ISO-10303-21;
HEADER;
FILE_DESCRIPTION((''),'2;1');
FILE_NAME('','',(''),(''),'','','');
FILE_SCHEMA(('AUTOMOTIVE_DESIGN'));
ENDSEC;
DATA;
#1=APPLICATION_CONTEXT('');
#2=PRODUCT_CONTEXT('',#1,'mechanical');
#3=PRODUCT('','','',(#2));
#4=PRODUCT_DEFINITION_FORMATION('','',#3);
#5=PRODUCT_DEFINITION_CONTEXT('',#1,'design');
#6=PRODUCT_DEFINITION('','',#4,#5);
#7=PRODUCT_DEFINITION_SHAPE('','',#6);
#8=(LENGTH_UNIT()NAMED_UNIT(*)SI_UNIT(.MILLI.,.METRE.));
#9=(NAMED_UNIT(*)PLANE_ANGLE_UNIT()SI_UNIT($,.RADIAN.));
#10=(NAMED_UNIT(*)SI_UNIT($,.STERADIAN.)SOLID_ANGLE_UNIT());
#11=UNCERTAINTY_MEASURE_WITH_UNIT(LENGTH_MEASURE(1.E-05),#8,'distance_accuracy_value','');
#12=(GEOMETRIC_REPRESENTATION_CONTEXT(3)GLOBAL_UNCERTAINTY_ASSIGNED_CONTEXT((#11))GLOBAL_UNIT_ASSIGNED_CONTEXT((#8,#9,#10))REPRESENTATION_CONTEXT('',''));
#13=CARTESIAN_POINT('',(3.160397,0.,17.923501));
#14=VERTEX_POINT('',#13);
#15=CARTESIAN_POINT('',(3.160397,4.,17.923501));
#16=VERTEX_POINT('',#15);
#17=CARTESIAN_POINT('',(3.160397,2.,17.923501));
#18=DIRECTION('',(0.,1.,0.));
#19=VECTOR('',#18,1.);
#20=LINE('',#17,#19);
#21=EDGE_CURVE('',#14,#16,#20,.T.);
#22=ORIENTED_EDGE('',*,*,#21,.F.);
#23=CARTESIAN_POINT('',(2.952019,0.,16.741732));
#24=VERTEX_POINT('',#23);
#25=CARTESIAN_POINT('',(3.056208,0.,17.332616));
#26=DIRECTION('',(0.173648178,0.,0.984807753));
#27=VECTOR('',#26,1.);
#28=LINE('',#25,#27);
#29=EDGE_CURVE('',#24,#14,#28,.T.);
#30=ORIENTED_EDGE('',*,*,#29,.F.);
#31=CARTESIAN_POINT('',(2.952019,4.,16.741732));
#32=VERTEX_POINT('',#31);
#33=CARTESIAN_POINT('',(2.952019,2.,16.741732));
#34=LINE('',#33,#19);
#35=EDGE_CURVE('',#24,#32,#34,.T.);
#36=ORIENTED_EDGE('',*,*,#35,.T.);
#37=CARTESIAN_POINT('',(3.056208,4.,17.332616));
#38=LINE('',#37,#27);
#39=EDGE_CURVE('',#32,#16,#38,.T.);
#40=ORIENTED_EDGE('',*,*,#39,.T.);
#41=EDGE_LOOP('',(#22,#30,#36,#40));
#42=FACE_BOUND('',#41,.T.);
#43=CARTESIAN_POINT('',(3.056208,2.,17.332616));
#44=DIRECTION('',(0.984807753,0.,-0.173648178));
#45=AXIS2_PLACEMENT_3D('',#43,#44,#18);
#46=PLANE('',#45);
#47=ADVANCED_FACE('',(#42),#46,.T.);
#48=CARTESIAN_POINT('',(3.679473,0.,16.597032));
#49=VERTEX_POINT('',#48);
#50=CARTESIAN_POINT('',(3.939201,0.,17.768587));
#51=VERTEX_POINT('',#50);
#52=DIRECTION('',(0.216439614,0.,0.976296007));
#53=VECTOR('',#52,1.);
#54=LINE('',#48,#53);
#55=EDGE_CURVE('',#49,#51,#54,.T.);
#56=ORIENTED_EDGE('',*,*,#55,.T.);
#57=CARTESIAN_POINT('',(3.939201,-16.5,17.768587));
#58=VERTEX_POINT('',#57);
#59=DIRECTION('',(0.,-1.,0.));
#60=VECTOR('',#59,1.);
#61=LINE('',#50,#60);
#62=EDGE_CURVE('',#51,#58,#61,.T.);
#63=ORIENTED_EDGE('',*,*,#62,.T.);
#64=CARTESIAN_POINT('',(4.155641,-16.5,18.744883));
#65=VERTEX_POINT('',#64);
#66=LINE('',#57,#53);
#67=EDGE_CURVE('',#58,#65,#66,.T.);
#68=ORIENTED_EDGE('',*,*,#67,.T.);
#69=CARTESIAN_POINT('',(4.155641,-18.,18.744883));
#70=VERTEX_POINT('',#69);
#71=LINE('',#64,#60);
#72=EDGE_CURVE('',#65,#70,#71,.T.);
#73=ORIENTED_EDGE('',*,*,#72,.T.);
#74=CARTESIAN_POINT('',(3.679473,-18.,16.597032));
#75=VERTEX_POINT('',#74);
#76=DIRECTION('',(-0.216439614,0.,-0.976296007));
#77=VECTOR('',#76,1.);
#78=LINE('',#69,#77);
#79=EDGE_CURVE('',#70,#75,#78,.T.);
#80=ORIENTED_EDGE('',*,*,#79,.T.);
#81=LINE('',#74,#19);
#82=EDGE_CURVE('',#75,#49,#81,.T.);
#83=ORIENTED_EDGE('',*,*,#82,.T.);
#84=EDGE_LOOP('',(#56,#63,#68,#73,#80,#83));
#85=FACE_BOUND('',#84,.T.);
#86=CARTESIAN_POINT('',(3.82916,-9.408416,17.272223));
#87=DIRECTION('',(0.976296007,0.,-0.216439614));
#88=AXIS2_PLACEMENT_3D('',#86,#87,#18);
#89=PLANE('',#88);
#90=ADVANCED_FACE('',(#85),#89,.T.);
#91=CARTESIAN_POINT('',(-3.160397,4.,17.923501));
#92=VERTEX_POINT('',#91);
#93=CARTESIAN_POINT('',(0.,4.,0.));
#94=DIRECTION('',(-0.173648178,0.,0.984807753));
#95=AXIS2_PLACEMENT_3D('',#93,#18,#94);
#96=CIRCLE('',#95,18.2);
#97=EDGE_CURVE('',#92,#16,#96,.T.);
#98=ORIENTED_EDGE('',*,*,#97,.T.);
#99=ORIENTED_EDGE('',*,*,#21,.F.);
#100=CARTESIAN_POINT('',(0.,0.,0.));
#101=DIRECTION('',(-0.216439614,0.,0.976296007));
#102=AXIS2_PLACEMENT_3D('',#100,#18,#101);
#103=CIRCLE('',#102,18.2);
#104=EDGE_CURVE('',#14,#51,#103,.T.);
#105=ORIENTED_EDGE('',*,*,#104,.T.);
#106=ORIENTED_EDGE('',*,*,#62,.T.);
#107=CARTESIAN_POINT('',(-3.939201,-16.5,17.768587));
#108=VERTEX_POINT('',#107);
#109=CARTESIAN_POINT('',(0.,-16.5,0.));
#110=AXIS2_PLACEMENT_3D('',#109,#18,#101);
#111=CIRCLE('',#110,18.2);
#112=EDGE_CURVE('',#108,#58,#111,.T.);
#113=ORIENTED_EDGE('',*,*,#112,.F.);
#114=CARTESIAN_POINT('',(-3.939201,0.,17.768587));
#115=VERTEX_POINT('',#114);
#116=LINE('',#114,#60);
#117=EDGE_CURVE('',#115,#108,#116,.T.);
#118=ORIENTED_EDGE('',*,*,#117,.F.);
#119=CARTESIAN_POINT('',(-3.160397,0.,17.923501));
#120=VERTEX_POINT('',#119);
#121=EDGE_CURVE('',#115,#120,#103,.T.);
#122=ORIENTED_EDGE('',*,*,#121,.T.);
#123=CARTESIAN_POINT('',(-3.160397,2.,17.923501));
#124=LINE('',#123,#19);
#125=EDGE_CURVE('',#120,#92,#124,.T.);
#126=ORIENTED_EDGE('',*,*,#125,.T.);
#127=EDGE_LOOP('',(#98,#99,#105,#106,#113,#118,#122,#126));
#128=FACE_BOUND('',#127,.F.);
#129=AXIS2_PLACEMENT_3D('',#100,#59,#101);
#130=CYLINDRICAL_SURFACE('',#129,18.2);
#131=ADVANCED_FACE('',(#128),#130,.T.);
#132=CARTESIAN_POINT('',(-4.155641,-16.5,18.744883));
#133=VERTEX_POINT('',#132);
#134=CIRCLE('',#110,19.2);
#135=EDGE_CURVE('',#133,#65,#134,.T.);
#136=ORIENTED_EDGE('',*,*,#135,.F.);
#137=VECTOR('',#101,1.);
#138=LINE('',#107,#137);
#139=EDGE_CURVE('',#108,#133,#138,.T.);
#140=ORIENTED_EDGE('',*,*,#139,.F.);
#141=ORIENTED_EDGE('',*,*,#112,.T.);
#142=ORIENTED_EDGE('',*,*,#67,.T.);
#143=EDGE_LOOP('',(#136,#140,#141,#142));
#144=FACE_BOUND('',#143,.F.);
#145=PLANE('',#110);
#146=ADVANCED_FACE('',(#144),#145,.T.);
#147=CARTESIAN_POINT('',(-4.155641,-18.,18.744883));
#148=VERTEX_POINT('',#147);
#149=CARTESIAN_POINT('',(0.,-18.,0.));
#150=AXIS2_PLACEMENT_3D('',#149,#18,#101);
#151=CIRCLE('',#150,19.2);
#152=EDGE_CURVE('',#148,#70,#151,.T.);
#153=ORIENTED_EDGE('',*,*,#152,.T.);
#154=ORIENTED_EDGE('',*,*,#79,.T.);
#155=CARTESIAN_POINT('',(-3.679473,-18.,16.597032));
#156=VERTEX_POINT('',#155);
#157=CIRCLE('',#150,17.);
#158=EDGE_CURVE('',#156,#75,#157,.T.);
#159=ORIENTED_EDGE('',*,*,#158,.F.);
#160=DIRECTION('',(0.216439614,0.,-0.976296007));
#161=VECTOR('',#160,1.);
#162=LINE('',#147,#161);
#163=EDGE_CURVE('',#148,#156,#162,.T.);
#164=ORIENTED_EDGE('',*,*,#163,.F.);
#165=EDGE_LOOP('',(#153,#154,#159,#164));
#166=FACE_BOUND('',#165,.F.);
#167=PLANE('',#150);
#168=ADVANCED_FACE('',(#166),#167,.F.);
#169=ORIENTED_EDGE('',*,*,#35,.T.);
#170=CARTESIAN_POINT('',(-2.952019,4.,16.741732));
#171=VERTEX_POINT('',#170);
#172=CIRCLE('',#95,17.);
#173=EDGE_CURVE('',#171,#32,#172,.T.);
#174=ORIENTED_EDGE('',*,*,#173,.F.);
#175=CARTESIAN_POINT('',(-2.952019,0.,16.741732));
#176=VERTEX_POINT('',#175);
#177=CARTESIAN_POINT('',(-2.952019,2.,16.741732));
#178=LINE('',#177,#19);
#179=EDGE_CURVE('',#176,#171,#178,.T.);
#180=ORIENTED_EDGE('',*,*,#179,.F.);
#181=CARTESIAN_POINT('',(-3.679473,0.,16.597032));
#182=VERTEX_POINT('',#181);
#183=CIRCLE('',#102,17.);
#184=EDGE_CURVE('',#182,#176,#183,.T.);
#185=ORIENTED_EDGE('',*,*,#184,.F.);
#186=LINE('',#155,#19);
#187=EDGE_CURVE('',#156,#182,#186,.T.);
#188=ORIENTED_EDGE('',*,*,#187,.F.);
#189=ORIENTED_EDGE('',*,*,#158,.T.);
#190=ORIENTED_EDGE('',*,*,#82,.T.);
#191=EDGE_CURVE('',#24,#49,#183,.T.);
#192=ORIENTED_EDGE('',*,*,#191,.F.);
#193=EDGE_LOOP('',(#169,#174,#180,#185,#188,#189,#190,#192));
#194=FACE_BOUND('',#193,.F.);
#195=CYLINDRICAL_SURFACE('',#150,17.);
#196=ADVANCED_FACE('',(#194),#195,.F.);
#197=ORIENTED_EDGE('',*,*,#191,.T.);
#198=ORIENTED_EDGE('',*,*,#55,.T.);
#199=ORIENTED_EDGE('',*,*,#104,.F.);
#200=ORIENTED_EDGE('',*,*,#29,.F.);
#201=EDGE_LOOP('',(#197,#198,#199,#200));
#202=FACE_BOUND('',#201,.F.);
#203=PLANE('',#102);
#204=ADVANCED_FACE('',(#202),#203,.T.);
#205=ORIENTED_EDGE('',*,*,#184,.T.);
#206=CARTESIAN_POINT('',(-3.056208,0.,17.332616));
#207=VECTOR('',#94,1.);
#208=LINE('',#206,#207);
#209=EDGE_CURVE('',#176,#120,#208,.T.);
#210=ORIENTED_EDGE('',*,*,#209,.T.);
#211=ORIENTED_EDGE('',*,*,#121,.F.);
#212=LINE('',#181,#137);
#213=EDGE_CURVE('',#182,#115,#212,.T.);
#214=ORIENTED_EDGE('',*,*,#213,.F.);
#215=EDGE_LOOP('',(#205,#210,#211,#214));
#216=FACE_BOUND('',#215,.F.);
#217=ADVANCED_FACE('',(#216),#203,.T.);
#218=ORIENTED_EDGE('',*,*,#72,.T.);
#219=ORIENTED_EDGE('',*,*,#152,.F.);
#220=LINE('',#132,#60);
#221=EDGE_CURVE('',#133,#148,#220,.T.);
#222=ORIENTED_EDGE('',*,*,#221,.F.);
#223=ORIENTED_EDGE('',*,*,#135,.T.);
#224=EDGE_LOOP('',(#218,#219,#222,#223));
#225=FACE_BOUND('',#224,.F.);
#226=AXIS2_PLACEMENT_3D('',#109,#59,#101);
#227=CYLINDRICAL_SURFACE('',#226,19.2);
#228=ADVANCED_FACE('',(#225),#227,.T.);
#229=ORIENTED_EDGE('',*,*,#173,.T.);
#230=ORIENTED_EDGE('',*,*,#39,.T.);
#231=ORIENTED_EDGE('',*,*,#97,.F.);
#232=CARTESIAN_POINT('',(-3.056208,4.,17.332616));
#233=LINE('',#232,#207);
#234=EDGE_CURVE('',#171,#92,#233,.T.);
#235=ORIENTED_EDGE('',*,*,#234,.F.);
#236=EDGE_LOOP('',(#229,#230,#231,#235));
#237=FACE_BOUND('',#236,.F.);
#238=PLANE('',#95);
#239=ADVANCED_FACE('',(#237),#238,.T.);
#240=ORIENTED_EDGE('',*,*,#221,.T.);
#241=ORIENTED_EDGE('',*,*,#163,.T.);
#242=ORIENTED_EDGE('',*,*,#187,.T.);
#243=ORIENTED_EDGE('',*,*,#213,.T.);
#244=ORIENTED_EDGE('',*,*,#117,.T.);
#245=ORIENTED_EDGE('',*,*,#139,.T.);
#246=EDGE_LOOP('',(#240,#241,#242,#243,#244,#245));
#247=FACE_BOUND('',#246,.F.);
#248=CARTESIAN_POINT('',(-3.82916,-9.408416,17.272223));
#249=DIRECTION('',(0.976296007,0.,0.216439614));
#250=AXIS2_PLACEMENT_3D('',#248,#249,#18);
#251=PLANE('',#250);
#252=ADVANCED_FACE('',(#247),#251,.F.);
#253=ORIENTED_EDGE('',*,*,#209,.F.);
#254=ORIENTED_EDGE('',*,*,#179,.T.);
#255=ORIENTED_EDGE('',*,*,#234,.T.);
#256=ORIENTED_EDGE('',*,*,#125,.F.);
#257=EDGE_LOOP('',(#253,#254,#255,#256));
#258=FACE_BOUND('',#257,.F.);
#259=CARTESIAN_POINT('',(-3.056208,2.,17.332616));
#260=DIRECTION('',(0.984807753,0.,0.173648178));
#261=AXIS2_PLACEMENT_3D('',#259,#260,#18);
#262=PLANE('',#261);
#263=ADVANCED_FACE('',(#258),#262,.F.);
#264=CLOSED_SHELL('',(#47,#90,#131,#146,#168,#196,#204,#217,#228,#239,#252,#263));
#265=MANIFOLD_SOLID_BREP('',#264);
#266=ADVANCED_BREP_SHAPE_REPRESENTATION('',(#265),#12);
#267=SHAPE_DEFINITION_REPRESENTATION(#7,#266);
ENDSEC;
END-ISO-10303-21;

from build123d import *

# Parameters (mm, degrees)
F1_ANGLE_BACK = 12.5
F1_ANGLE      = 25
F2_W          = 4
F2_H          = 1.2
F3_ANGLE_BACK = 10
F3_ANGLE      = 20


with BuildPart() as f1:
    # F0 (on Right) → F1 (revolve)
    with BuildSketch(Plane.YZ, mode=Mode.PRIVATE) as f1_sk:
        Polygon((0, 18.2), (-16.5, 18.2), (-16.5, 19.2), (-18, 19.2), (-18, 17), (0, 17), align=None)
    revolve(f1_sk.sketch.rotate(Axis((0, 7.2532626098, 0), (0, 1, 0)), -F1_ANGLE_BACK), axis=Axis((0, 7.2532626098, 0), (0, 1, 0)), revolution_arc=F1_ANGLE)

    # F2 (on Right) → F3 (revolve)
    with BuildSketch(Plane.YZ, mode=Mode.PRIVATE) as f3_sk:
        with Locations((2, 17.6)):
            Rectangle(F2_W, F2_H)
    revolve(f3_sk.sketch.rotate(Axis((0, 7.2532626098, 0), (0, 1, 0)), -F3_ANGLE_BACK), axis=Axis((0, 7.2532626098, 0), (0, 1, 0)), revolution_arc=F3_ANGLE)


solid = f1.part
